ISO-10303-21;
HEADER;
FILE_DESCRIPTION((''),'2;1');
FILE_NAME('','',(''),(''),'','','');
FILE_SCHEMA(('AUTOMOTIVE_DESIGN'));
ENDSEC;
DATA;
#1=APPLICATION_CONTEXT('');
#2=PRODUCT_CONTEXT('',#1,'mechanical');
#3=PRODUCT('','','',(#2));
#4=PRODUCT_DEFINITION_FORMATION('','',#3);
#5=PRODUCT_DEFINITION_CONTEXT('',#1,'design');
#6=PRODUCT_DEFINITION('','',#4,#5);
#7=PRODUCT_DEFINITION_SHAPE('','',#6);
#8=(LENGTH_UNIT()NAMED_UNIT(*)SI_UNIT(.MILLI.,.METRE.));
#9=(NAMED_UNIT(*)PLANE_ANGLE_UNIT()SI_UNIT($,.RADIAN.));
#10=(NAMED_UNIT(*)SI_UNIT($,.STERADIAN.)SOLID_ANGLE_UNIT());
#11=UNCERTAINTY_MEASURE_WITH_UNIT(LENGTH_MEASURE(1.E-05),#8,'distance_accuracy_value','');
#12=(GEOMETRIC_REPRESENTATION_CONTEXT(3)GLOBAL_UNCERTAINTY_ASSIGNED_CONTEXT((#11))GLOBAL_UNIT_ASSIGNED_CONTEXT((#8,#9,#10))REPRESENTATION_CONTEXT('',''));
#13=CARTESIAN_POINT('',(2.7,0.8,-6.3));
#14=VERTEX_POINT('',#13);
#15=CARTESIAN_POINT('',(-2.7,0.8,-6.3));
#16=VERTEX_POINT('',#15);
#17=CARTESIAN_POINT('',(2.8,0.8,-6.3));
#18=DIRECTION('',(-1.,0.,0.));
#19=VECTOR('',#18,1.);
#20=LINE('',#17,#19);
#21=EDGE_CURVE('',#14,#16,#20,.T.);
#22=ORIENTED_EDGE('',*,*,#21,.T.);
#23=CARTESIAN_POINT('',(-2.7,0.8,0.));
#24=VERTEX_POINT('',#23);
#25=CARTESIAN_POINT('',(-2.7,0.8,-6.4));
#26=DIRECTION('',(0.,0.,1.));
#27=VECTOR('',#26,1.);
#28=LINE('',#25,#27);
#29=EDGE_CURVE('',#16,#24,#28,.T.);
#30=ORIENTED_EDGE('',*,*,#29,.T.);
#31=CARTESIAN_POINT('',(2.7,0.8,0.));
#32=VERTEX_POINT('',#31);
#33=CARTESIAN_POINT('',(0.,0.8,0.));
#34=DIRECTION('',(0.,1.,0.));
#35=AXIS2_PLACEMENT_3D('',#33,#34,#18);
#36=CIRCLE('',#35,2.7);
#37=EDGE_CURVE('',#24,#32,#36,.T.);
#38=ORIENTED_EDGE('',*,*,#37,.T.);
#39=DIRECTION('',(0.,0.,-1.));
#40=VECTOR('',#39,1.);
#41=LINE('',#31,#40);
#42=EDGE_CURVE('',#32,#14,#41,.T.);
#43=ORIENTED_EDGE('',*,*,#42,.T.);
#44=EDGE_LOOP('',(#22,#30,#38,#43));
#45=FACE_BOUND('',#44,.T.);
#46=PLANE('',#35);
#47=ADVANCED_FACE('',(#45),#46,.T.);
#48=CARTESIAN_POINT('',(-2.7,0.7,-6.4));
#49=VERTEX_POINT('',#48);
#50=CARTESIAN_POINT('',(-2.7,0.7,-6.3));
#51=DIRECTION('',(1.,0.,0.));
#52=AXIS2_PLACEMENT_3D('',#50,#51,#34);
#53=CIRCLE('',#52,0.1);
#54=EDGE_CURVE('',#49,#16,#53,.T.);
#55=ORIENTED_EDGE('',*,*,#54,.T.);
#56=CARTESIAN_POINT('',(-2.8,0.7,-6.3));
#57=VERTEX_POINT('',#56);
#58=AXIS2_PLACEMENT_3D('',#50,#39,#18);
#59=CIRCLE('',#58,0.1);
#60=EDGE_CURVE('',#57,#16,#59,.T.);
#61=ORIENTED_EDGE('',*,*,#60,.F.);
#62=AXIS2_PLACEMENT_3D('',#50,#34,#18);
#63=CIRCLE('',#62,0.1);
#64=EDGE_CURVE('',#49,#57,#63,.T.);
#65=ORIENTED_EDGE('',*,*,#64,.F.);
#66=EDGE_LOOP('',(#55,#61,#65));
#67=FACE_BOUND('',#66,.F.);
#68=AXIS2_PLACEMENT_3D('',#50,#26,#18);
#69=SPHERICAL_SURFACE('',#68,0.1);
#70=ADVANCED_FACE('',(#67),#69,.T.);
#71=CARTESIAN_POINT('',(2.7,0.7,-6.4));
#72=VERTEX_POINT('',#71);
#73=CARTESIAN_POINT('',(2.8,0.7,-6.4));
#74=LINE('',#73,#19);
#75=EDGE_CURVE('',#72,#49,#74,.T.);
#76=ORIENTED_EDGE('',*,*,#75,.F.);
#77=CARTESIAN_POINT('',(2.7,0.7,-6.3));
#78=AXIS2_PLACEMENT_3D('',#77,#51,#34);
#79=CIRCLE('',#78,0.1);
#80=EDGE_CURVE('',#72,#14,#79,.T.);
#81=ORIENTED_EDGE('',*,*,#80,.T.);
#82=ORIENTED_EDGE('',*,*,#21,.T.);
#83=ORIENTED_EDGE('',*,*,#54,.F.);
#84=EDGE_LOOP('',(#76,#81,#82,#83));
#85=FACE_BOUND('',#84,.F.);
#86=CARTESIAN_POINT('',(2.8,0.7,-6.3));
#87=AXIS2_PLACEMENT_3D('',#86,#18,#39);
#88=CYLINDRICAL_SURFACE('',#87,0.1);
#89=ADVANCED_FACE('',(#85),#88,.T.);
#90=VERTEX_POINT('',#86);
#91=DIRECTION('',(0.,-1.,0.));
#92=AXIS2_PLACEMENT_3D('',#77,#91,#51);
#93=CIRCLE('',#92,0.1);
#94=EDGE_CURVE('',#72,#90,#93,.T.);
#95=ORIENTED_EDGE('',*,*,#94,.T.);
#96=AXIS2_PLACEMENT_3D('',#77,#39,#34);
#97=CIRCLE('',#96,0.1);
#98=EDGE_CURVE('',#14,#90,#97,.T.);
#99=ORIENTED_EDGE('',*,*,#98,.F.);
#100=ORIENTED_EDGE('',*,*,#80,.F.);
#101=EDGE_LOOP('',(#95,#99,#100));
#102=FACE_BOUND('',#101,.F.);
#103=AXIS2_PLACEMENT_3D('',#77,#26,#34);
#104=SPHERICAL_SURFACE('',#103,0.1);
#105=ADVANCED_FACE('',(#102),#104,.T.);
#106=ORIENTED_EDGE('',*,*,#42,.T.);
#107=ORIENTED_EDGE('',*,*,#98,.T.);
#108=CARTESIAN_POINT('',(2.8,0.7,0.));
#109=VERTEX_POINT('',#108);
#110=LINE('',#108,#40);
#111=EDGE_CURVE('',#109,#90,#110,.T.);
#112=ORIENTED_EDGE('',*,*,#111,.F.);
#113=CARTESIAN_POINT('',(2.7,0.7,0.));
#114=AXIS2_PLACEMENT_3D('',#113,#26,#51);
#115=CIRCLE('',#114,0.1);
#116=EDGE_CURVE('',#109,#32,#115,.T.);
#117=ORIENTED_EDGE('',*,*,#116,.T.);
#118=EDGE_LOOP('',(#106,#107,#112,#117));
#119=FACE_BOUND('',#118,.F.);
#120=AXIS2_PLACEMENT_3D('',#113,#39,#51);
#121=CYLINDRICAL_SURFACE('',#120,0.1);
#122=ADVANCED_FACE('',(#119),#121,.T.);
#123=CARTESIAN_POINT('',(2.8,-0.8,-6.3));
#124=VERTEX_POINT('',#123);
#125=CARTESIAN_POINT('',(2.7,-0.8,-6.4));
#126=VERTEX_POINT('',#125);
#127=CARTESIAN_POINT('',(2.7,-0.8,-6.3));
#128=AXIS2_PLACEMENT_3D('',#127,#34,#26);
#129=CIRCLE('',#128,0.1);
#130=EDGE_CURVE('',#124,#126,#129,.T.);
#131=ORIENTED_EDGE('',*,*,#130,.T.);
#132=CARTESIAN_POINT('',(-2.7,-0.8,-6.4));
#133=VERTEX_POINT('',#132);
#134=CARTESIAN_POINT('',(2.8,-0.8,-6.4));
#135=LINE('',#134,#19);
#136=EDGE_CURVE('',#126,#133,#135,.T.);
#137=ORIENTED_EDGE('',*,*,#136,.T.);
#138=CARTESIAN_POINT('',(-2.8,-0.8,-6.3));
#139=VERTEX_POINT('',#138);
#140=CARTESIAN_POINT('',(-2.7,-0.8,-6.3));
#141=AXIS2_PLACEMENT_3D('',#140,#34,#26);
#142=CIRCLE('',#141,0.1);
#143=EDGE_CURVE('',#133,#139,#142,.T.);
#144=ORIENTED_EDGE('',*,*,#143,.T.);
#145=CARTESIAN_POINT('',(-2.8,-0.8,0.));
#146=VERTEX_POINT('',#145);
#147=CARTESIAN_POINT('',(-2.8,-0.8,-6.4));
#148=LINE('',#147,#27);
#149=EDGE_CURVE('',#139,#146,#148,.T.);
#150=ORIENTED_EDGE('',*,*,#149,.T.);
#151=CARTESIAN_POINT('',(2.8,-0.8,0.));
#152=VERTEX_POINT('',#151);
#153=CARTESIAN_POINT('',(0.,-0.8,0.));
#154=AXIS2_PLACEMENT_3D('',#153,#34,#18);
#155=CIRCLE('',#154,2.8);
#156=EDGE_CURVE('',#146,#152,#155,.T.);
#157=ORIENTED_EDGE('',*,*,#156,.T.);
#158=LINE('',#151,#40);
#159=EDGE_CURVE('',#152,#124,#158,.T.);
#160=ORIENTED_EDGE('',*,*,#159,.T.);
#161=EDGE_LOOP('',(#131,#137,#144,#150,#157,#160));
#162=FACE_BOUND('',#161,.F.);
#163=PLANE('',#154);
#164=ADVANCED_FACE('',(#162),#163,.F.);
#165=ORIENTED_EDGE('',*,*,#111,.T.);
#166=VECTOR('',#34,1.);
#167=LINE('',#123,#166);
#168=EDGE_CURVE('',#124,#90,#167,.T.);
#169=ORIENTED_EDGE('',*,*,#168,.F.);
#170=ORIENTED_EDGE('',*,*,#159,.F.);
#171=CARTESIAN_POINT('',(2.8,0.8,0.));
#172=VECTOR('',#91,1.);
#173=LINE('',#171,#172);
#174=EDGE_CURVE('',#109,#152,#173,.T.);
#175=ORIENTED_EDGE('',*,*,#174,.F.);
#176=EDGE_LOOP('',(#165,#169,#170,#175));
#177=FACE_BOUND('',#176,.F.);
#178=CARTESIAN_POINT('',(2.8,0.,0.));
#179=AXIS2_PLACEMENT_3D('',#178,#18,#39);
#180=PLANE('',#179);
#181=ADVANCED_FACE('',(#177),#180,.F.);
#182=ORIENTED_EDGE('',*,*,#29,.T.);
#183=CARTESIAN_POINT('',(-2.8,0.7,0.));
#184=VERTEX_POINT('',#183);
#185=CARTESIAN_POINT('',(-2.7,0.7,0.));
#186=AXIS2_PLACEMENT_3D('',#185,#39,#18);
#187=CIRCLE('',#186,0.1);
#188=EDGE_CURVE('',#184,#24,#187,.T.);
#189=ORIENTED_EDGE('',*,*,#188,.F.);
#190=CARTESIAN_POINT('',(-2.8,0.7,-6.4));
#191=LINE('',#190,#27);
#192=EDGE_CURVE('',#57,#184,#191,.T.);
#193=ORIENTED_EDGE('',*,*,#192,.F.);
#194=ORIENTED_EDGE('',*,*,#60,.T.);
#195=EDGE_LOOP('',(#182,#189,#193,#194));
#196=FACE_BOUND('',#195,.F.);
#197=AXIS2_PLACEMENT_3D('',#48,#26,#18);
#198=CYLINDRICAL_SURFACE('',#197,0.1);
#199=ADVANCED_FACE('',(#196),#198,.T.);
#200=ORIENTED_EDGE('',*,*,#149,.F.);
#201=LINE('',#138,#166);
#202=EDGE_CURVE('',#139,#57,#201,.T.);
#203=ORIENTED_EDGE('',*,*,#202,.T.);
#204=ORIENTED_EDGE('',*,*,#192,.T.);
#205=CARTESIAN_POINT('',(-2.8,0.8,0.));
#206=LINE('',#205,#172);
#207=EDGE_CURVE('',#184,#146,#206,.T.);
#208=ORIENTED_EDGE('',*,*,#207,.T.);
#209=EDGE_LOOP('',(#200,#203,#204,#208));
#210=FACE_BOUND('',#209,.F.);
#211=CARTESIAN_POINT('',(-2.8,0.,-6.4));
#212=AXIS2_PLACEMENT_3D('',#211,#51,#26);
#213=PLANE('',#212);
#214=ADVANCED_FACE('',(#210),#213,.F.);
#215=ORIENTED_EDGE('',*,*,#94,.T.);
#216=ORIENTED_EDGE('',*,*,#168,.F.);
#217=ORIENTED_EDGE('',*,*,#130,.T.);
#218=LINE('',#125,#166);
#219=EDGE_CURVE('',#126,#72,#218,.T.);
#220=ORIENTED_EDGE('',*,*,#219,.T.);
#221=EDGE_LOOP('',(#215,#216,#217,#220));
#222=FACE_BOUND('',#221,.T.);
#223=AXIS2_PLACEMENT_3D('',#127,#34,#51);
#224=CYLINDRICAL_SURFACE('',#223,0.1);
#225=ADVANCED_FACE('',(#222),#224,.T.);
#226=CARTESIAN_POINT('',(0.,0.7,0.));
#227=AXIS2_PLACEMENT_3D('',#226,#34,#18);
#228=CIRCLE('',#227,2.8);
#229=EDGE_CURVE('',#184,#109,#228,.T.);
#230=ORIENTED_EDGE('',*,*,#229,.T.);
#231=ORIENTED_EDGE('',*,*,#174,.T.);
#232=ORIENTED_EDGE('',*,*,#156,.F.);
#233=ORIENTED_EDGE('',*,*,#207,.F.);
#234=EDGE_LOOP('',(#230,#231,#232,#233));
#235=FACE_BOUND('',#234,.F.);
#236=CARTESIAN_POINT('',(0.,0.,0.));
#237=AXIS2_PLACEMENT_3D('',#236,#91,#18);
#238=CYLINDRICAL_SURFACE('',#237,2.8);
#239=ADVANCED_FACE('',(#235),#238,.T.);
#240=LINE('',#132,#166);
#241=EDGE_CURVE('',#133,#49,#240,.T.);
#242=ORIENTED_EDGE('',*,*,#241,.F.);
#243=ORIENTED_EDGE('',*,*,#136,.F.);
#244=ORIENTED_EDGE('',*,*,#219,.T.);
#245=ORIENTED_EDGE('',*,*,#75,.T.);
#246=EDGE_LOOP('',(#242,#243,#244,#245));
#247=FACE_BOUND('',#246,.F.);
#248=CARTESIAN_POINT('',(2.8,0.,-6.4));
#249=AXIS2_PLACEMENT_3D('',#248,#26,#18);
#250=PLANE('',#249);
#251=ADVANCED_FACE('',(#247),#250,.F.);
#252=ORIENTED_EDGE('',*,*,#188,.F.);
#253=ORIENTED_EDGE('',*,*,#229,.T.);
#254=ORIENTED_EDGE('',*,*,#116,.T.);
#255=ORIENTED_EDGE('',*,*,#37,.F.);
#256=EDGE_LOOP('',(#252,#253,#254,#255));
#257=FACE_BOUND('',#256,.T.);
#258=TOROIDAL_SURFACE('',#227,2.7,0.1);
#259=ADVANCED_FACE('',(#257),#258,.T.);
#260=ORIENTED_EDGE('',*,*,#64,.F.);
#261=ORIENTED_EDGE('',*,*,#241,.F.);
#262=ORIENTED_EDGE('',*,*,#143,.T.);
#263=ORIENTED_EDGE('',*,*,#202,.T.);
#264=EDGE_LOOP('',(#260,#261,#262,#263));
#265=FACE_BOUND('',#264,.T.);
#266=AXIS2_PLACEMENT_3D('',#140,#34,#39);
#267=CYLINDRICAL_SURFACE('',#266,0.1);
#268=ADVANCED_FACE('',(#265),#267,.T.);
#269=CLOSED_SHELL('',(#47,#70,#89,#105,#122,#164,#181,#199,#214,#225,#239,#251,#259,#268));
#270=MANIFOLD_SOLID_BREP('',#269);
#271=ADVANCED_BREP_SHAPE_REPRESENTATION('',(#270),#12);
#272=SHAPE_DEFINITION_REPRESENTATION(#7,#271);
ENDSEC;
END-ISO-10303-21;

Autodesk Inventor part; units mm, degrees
ref_plane "YZ Plane" through (0, 0, 0) normal (1, 0, 0) x (0, 1, 0)
ref_plane "XZ Plane" through (0, 0, 0) normal (0, 1, 0) x (-1, 0, 0)
ref_plane "XY Plane" through (0, 0, 0) normal (0, 0, 1) x (1, 0, 0)
sketch "Sketch2" plane through (0, 0, 0) normal (0, 1, 0) x (-1, 0, 0)
  line L0 (-2.8, -6.4) -> (2.8, -6.4)
  line L1 (2.8, -6.4) -> (2.8, 0)
  arc A0 (2.8, 0) -> (-2.8, 0) centre (0, 0) ccw
  line L2 (-2.8, 0) -> (-2.8, -6.4)
  dimension "d0" = 6.4
  dimension "d1" = 5.6
extrude "Extrusion1" add sketch "Sketch2" along normal mid plane 1.6
fillet "Fillet1" radius 0.1 6 edges at (0, 0.8, 2.8) (2.8, 0.8, -3.2) (-2.8, 0.8, -3.2) (-2.8, 0, -6.4) (0, 0.8, -6.4) (2.8, 0, -6.4)
equation "\"d2\" = wall"
equation "\"wall\" = 1.6"
properties part number "76610-LtBluishGray" material "ABS Plastic"
